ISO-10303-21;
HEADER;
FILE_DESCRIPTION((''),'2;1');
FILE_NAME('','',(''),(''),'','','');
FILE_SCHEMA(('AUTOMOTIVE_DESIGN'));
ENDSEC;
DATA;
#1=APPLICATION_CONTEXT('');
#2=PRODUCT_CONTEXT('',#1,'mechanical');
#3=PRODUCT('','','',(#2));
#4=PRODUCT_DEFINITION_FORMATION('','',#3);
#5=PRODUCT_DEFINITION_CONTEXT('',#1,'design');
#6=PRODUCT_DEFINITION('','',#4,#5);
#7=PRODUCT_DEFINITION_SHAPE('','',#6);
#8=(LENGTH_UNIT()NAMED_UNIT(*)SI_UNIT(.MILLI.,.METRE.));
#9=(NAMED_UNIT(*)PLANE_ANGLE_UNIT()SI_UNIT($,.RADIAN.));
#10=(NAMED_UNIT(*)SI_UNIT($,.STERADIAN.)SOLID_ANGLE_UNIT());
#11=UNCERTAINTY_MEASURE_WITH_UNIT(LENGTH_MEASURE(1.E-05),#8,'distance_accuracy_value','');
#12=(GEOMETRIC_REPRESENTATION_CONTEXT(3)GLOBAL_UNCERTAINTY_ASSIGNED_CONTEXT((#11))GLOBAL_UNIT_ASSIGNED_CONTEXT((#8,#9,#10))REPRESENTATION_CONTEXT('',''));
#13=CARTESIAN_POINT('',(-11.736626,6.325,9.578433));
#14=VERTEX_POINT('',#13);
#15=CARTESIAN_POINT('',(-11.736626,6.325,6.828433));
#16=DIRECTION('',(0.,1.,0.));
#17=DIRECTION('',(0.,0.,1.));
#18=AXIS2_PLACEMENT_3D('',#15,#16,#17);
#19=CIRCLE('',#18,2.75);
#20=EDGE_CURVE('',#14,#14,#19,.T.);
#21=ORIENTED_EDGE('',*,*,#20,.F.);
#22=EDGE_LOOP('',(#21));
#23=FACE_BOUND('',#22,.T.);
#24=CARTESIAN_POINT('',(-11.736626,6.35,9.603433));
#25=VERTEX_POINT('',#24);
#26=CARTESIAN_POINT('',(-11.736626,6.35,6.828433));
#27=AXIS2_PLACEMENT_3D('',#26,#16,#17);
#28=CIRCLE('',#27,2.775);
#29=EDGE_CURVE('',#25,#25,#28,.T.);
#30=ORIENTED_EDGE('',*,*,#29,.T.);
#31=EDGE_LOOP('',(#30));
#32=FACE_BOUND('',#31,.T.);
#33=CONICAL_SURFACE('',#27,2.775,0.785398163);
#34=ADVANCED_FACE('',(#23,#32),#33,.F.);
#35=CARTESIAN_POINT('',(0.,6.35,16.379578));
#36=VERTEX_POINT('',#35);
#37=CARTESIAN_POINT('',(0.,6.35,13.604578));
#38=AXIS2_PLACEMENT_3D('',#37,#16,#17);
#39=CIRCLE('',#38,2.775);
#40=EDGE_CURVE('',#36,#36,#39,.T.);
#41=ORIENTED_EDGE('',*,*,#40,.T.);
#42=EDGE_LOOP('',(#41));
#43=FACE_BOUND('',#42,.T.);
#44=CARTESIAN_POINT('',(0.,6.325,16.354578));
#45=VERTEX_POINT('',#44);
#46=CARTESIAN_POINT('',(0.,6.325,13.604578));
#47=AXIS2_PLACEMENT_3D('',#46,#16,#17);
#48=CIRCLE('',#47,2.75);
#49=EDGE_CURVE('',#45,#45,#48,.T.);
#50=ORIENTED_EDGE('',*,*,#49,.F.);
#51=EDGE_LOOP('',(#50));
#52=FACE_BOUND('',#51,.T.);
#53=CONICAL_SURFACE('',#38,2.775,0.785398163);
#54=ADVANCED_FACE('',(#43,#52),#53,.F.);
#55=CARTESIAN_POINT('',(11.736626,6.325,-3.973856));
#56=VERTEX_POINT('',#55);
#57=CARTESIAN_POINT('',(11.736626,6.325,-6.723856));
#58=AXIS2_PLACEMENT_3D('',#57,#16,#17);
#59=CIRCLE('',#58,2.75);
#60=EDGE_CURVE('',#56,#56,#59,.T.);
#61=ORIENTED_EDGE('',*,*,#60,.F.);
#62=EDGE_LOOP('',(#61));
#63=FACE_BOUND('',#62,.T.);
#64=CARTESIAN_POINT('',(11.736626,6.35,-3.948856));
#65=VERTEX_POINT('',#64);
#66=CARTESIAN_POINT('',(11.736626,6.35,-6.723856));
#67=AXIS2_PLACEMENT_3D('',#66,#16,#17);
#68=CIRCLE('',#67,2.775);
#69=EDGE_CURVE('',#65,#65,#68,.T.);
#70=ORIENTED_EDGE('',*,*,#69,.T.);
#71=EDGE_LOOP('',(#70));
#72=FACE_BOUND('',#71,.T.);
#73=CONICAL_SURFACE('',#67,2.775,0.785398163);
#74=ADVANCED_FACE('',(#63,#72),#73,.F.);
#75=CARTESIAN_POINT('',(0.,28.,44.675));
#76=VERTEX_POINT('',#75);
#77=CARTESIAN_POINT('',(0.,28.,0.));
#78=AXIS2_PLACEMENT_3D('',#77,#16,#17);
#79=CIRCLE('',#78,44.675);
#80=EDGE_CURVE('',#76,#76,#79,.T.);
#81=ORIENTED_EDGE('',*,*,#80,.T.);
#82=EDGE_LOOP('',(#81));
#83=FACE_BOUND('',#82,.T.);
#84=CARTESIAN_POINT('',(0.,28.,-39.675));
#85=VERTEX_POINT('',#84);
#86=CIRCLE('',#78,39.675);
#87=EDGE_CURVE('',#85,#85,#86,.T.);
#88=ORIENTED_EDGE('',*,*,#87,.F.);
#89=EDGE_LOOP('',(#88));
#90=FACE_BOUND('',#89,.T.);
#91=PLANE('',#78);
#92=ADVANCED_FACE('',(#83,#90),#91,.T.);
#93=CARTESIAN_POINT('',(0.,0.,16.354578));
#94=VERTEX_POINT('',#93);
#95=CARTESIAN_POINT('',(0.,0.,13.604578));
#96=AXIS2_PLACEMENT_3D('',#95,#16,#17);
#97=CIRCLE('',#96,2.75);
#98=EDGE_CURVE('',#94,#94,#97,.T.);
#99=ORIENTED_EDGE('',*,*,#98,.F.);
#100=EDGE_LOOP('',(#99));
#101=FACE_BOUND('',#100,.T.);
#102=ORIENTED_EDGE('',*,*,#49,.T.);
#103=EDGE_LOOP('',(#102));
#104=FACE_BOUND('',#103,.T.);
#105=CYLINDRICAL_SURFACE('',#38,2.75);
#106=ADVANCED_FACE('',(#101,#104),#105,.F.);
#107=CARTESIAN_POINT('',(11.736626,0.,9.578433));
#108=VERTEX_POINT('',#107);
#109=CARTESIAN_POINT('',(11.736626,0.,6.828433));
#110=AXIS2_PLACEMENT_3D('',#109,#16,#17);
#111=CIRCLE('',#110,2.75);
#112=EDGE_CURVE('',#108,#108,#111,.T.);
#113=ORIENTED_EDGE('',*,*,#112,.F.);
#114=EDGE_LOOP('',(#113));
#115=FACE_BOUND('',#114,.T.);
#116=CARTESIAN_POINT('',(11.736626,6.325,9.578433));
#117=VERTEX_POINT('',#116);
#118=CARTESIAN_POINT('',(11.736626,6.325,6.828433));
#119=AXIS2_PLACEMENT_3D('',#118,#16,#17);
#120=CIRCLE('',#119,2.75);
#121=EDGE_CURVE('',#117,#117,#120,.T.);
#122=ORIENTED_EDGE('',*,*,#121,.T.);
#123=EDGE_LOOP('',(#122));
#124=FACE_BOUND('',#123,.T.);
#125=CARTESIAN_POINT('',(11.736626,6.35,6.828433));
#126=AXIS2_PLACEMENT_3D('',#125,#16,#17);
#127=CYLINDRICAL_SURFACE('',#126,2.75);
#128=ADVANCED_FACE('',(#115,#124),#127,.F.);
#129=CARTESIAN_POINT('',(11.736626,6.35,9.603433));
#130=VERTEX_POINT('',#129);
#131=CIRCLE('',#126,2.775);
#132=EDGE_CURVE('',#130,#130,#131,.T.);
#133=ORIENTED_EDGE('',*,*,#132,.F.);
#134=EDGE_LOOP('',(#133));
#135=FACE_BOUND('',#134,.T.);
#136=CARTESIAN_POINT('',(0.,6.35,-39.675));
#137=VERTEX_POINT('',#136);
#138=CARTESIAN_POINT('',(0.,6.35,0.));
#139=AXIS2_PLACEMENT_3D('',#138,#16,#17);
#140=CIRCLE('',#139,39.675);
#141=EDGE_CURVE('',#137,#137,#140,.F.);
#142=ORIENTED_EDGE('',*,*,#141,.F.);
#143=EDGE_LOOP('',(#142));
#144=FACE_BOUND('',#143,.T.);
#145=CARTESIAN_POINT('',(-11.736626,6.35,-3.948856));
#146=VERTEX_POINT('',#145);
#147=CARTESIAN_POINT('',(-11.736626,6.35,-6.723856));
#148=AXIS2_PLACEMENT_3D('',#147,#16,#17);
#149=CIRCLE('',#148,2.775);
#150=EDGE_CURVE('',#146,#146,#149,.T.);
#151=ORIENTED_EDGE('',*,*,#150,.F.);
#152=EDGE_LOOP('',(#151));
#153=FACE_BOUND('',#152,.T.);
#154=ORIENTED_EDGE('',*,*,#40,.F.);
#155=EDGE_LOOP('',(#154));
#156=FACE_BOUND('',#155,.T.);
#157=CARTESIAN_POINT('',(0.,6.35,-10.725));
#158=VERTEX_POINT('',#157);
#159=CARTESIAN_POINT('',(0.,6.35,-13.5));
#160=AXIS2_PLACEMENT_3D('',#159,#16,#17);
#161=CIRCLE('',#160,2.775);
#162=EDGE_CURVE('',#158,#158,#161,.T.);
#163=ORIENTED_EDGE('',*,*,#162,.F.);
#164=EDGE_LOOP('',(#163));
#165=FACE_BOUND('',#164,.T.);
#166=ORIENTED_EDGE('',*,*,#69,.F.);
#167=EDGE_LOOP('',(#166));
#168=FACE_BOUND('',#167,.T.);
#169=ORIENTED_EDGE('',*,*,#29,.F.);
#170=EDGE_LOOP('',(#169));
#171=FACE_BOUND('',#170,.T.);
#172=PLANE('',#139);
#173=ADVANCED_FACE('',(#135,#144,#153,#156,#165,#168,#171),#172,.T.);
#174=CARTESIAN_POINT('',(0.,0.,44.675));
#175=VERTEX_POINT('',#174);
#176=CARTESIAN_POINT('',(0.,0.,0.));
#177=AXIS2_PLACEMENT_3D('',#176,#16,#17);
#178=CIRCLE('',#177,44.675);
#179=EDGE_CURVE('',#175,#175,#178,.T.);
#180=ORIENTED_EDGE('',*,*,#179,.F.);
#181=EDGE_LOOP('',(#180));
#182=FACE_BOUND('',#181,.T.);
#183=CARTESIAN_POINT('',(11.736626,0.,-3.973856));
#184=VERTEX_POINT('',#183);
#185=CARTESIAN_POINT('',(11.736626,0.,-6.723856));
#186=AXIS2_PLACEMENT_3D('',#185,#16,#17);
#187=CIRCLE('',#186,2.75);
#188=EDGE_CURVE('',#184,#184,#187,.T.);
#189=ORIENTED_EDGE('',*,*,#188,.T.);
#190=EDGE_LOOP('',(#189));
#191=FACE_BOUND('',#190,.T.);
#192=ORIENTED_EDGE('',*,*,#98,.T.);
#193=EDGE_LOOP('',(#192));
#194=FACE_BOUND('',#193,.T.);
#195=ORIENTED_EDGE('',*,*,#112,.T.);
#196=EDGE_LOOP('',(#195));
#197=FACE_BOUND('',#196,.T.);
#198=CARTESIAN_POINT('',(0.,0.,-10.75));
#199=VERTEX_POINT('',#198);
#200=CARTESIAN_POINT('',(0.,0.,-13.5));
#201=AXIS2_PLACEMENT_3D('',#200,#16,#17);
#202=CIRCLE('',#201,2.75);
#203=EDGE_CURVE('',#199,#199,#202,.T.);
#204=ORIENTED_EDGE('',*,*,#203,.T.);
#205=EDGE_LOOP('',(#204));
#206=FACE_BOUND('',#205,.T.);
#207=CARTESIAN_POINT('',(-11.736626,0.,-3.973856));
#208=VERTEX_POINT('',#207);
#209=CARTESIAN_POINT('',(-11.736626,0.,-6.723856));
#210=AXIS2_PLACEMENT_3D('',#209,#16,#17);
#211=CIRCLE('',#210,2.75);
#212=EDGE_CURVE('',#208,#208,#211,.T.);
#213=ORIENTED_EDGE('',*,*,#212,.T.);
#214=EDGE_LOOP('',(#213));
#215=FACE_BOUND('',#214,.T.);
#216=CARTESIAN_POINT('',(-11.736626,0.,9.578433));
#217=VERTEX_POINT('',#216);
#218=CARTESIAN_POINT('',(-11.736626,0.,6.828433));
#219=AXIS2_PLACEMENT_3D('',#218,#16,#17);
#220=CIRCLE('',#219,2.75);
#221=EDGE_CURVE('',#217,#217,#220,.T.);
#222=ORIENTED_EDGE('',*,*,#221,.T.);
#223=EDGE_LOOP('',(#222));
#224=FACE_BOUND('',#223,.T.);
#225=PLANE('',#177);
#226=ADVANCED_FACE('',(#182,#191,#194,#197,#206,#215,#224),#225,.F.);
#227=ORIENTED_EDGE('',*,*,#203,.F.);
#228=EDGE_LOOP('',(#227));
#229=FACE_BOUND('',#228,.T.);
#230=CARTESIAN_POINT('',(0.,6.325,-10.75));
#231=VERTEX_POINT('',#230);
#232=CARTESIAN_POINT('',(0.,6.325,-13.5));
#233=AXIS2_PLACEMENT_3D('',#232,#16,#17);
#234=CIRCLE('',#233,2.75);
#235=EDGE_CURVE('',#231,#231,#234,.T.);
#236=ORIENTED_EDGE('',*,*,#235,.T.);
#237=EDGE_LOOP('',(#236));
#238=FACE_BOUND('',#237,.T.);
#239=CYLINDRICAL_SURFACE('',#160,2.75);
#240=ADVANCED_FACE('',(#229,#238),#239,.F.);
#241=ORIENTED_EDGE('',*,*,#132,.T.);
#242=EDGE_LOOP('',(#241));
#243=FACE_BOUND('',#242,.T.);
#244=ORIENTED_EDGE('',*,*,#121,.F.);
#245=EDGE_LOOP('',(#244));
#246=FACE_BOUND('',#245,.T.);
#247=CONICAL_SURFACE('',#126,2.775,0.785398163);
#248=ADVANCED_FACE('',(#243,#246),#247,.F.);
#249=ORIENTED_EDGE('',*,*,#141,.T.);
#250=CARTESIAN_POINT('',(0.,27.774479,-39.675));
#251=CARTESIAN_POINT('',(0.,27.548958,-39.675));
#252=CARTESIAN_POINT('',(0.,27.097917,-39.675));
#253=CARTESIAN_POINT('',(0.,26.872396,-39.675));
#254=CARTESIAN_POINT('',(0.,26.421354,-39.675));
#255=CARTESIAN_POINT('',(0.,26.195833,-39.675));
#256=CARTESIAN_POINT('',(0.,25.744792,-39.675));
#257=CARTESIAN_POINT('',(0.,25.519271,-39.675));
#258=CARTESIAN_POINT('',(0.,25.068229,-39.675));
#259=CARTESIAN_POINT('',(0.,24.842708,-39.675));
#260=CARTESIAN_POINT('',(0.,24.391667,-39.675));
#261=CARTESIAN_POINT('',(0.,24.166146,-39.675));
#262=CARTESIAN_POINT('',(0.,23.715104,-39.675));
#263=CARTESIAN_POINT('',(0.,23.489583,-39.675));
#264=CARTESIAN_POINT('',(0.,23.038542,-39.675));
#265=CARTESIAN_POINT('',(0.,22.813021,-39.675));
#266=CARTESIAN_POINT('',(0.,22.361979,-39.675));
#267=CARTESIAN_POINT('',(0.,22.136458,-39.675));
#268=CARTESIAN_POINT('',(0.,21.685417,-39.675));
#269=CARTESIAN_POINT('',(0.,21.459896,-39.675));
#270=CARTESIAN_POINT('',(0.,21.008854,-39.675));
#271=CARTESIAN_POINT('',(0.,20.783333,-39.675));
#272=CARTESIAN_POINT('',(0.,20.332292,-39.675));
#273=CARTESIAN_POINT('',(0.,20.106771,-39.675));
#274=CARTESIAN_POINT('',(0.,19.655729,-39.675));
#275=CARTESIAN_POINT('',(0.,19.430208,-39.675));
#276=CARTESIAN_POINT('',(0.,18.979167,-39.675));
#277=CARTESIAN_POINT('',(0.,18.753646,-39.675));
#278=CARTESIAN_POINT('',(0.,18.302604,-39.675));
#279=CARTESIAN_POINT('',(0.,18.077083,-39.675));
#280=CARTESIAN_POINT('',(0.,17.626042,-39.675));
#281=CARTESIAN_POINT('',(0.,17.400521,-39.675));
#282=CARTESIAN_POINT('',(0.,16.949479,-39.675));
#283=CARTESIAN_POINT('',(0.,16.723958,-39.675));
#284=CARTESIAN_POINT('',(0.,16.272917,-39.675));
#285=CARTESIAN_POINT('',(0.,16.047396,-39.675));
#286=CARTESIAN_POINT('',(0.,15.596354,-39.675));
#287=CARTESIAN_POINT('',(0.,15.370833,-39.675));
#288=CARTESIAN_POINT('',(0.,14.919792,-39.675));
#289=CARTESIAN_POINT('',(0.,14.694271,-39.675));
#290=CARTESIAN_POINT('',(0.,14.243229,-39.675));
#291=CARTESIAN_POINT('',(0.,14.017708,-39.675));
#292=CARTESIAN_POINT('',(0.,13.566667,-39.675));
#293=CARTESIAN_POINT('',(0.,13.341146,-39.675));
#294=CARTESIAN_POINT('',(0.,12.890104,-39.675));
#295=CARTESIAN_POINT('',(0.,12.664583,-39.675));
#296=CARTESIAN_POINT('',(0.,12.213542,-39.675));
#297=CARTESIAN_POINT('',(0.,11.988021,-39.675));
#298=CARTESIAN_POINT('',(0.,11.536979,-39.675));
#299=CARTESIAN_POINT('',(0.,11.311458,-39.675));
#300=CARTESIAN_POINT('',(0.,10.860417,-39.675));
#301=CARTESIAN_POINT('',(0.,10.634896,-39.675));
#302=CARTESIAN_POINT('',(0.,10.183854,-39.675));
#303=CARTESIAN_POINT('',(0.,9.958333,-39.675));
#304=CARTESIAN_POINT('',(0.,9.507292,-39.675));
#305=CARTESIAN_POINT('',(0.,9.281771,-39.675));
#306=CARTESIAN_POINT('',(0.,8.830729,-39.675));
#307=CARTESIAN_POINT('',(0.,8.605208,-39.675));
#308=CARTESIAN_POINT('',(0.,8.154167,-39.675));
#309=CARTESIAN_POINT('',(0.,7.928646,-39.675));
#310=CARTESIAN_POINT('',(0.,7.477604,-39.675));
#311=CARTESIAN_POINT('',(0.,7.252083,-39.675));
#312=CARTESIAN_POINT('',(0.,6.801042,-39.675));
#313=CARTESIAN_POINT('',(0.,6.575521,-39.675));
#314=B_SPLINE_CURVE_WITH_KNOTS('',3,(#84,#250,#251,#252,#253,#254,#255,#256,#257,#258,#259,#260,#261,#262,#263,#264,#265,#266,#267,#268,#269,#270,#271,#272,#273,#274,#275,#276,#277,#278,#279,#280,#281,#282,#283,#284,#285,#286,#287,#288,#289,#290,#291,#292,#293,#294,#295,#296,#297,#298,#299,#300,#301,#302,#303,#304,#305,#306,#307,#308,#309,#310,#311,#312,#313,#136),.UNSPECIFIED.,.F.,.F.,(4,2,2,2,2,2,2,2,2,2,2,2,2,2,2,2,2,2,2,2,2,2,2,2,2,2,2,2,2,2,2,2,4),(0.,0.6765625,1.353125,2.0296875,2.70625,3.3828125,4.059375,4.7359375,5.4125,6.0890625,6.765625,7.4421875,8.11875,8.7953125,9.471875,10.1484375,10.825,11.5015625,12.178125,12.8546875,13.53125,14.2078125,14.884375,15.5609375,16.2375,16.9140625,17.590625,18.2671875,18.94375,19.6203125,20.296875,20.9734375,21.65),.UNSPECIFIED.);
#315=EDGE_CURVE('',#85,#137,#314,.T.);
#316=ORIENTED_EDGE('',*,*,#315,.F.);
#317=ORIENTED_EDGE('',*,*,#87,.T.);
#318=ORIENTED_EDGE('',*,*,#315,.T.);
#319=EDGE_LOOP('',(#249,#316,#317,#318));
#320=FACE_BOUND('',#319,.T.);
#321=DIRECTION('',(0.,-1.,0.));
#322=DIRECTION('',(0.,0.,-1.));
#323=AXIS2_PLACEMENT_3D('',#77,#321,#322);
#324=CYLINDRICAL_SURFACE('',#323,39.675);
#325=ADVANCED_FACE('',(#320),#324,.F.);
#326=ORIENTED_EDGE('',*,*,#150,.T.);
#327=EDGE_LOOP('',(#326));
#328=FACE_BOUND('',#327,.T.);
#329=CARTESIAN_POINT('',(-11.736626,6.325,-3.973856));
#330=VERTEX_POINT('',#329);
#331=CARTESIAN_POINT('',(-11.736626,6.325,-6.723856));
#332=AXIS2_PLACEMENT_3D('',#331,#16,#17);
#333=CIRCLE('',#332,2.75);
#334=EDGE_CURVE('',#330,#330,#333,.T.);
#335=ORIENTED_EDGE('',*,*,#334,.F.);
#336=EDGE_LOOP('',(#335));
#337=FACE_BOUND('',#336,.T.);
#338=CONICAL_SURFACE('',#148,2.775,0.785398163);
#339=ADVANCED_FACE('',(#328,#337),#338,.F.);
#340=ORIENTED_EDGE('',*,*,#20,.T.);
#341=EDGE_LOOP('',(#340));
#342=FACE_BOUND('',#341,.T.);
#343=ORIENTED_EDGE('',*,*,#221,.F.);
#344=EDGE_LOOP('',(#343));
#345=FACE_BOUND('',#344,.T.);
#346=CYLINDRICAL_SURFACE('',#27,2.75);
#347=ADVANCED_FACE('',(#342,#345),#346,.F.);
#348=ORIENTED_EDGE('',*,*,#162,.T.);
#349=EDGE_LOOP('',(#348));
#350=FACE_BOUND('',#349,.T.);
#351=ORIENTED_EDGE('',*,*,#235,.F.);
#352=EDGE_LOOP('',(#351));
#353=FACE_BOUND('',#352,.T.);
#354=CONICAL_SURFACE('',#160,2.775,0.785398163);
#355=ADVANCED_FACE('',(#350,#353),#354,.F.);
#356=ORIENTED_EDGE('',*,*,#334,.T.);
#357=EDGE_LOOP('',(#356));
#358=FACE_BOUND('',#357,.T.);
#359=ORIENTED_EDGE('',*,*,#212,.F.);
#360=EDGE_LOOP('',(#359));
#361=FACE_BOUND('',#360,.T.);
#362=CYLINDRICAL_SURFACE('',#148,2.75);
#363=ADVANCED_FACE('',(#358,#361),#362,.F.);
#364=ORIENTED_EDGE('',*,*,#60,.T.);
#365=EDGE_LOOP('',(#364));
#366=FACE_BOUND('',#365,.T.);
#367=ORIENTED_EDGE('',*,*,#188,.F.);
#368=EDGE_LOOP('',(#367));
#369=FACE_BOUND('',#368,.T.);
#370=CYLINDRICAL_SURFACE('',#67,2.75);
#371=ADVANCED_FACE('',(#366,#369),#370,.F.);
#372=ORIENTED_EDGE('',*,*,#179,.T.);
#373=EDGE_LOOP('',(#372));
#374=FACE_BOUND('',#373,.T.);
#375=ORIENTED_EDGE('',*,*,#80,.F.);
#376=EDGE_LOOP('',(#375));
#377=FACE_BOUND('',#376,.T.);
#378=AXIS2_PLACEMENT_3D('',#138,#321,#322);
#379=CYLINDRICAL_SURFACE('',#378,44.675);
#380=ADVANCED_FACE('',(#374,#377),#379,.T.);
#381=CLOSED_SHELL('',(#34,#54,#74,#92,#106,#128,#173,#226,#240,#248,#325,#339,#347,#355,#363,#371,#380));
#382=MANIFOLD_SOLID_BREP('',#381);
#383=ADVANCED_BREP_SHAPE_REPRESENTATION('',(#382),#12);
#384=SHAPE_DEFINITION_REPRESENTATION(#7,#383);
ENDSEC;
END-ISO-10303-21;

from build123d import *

# Parameters (mm, degrees)
SKETCH1_R                      = 44.675
BOSS_EXTRUDE2_DEPTH            = 6.35
M5_CLEARANCE_HOLE2_D           = 5.5
M5_CLEARANCE_HOLE2_CSINK_D     = 5.55
M5_CLEARANCE_HOLE2_CSINK_ANGLE = 90
CIRPATTERN1_COUNT              = 6
SKETCH13_R                     = 44.675
SKETCH13_R_2                   = 39.675
BOSS_EXTRUDE4_DEPTH            = 21.65


with BuildPart() as part:
    # Sketch1 → Boss-Extrude2 (new body)
    with BuildSketch(Plane(origin=(0, 0, 0), x_dir=(1, 0, 0), z_dir=(0, 1, 0))):
        with Locations(Location((0, 0, 0), (0, 0, 270))):
            Circle(SKETCH1_R)
    extrude(amount=BOSS_EXTRUDE2_DEPTH)

    # M5 Clearance Hole2 (through all)
    with Locations(Plane(origin=(0, 6.35, 0), x_dir=(1, 0, 0), z_dir=(0, 1, 0))):
        with Locations((0, 13.5)):
            m5_clearance_hole2 = CounterSinkHole(M5_CLEARANCE_HOLE2_D / 2, M5_CLEARANCE_HOLE2_CSINK_D / 2, counter_sink_angle=M5_CLEARANCE_HOLE2_CSINK_ANGLE)

    # CirPattern1: M5 Clearance Hole2 ×6 about axis
    cirpattern1_axis = Axis((0, 0, 0.0522889), (0, 1, 0))
    for i in range(1, CIRPATTERN1_COUNT):
        add(m5_clearance_hole2.rotate(cirpattern1_axis, i * 360 / CIRPATTERN1_COUNT), mode=Mode.SUBTRACT)

    # Sketch13 → Boss-Extrude4 (add)
    # profile 1 of 4: a face of its own
    with BuildSketch(Plane(origin=(0, 6.35, 0), x_dir=(1, 0, 0), z_dir=(0, 1, 0))):
        with Locations(Location((0, 0, 0), (0, 0, 270))):
            Circle(SKETCH13_R)
        with Locations(Location((0, 0, 0), (0, 0, 90))):
            Circle(SKETCH13_R_2, mode=Mode.SUBTRACT)
    # profile 2 of 4: a face of its own
    with BuildSketch(Plane(origin=(0, 6.35, 0), x_dir=(1, 0, 0), z_dir=(0, 1, 0))):
        with Locations(Location((0, 0, 0), (0, 0, 270))):
            Circle(SKETCH13_R)
        with Locations(Location((0, 0, 0), (0, 0, 90))):
            Circle(SKETCH13_R_2, mode=Mode.SUBTRACT)
    # profile 3 of 4: a face of its own
    with BuildSketch(Plane(origin=(0, 6.35, 0), x_dir=(1, 0, 0), z_dir=(0, 1, 0))):
        with Locations(Location((0, 0, 0), (0, 0, 270))):
            Circle(SKETCH13_R)
        with Locations(Location((0, 0, 0), (0, 0, 90))):
            Circle(SKETCH13_R_2, mode=Mode.SUBTRACT)
    # profile 4 of 4: a face of its own
    with BuildSketch(Plane(origin=(0, 6.35, 0), x_dir=(1, 0, 0), z_dir=(0, 1, 0))):
        with Locations(Location((0, 0, 0), (0, 0, 270))):
            Circle(SKETCH13_R)
        with Locations(Location((0, 0, 0), (0, 0, 90))):
            Circle(SKETCH13_R_2, mode=Mode.SUBTRACT)
    extrude(amount=BOSS_EXTRUDE4_DEPTH)


solid = part.part
